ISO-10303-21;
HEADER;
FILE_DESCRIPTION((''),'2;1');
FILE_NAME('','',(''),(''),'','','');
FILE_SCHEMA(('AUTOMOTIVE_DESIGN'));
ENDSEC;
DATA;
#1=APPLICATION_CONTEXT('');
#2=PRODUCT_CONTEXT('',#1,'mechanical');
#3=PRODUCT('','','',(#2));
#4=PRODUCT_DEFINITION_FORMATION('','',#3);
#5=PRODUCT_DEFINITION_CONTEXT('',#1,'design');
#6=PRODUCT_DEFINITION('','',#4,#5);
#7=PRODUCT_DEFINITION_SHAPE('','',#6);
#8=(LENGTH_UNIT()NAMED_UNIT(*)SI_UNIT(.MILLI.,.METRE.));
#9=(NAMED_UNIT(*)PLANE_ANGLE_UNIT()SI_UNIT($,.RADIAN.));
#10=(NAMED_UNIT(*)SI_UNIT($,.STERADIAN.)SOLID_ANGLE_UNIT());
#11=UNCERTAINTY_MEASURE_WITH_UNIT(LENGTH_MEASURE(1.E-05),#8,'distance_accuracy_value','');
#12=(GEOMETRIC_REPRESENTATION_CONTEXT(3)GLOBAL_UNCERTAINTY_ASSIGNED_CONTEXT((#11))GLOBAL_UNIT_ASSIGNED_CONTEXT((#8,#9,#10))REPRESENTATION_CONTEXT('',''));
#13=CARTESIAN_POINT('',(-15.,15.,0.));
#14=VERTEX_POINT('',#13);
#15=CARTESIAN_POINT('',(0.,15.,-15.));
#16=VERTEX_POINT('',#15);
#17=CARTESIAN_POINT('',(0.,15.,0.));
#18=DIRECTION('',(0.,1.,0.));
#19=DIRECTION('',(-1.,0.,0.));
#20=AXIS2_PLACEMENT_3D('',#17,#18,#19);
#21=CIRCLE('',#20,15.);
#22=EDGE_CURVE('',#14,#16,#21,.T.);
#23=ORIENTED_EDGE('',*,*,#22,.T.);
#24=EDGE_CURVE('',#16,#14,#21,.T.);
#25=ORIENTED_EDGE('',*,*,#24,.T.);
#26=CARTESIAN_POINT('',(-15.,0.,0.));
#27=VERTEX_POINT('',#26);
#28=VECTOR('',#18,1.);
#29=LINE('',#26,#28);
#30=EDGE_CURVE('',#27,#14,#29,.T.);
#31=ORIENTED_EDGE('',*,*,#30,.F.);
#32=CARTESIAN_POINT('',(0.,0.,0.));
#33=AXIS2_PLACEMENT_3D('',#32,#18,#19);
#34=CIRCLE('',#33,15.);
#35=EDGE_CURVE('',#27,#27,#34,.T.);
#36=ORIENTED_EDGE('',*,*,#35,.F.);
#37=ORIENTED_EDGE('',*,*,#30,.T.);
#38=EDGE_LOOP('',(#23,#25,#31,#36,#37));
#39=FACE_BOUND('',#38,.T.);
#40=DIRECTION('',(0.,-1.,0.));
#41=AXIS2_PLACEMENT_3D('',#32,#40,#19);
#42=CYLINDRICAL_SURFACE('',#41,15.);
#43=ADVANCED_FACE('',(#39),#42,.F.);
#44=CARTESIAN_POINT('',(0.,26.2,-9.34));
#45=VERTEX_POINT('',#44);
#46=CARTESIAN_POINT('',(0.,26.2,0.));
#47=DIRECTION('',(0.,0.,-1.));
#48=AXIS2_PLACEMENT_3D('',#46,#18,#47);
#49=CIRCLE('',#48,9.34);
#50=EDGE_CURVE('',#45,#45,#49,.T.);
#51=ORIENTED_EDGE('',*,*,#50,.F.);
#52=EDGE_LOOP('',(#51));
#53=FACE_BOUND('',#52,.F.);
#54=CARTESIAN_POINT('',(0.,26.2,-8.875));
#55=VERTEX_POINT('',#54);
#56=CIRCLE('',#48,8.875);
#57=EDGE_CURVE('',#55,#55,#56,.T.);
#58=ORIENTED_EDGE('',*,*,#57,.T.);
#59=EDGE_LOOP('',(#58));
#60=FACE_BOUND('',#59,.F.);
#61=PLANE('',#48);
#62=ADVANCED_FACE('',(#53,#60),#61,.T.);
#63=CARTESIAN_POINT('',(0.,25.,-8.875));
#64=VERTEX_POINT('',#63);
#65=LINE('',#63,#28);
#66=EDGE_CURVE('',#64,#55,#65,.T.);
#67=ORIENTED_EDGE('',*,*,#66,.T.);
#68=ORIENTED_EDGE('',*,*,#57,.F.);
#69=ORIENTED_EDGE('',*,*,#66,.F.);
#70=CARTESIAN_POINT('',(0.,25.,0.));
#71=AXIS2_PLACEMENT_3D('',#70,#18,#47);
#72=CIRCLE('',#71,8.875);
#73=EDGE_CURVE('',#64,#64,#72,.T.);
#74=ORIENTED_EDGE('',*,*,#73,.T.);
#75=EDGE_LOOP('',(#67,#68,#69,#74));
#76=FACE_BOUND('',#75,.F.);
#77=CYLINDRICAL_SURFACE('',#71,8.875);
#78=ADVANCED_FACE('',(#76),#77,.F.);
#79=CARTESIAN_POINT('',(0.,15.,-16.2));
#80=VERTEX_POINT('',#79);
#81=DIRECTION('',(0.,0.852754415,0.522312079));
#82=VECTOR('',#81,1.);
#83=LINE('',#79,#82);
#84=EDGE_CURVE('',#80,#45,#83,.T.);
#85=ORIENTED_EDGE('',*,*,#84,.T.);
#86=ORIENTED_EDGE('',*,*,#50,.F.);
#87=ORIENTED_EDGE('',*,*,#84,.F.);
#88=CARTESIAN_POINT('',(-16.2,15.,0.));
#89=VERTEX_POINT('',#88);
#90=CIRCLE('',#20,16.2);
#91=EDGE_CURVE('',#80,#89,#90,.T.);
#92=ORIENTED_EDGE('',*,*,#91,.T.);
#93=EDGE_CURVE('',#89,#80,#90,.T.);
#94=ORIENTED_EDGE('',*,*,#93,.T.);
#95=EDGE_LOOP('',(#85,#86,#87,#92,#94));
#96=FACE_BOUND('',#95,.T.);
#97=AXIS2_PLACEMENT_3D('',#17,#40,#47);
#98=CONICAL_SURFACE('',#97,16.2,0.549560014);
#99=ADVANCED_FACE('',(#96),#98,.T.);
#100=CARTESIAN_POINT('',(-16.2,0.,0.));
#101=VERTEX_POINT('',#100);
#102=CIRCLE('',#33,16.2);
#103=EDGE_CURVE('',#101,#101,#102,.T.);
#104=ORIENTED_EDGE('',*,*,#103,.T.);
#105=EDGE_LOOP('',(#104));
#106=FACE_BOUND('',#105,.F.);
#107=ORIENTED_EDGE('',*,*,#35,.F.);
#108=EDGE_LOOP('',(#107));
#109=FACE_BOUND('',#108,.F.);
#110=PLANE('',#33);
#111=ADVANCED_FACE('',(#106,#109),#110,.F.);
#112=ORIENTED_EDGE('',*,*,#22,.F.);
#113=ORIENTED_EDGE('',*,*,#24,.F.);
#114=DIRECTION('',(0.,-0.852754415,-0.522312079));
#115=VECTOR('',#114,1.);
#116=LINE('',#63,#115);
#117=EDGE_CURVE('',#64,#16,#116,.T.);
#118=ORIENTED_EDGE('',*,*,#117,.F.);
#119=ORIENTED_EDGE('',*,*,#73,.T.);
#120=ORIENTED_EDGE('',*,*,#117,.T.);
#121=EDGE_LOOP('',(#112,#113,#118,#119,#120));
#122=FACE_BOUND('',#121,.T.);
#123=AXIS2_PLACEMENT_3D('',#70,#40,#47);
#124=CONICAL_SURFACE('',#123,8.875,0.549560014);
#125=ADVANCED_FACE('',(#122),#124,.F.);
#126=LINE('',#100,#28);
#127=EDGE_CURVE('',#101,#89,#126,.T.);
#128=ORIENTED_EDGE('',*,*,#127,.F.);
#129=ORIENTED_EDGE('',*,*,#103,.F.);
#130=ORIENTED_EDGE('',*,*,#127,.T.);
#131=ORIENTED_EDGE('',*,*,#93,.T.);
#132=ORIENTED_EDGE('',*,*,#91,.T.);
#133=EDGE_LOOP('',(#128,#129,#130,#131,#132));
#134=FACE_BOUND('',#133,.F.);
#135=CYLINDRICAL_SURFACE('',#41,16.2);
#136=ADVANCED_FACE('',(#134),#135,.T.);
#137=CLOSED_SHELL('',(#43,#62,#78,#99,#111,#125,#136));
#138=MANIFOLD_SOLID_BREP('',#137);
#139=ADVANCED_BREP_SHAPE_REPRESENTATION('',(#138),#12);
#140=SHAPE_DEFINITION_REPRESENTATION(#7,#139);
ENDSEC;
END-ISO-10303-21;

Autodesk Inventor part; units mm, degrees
ref_plane "YZ Plane" through (0, 0, 0) normal (1, 0, 0) x (0, 1, 0)
ref_plane "XZ Plane" through (0, 0, 0) normal (0, 1, 0) x (-1, 0, 0)
ref_plane "XY Plane" through (0, 0, 0) normal (0, 0, 1) x (1, 0, 0)
sketch "Sketch1" plane through (0, 0, 0) normal (0, 1, 0) x (-1, 0, 0)
  circle A0 centre (0, 0) radius 16.2
  circle A1 centre (0, 0) radius 15
  dimension "d0" = 32.4
  dimension "d1" = 30
extrude "Extrusion1" add sketch "Sketch1" along normal blind 15
sketch "Sketch2" plane through (0, 0, 0) normal (1, 0, 0) x (0, 1, 0)
  line L0 (25, 0) -> (25, -8.875) construction
  line L1 (15, -16.2) -> (15, 16.2) projected
  line L2 (15, -16.2) -> (15, -15)
  line L3 (25, -8.875) -> (15, -15)
  line L4 (26.2, -8.875) -> (26.2, -9.34)
  line L5 (15, -16.2) -> (26.2, -9.34)
  line L6 (25, -8.875) -> (26.2, -8.875)
  line L7 (15, 0) -> (31.8321, 0)
  point P0 (0, 0)
  dimension "d7" = 1.2
revolve "Revolution1" add sketch "Sketch2" angle 360 about axis through (0, 15, 0) along (0, 1, 0)
properties part number "Top Nozzle Connector"
